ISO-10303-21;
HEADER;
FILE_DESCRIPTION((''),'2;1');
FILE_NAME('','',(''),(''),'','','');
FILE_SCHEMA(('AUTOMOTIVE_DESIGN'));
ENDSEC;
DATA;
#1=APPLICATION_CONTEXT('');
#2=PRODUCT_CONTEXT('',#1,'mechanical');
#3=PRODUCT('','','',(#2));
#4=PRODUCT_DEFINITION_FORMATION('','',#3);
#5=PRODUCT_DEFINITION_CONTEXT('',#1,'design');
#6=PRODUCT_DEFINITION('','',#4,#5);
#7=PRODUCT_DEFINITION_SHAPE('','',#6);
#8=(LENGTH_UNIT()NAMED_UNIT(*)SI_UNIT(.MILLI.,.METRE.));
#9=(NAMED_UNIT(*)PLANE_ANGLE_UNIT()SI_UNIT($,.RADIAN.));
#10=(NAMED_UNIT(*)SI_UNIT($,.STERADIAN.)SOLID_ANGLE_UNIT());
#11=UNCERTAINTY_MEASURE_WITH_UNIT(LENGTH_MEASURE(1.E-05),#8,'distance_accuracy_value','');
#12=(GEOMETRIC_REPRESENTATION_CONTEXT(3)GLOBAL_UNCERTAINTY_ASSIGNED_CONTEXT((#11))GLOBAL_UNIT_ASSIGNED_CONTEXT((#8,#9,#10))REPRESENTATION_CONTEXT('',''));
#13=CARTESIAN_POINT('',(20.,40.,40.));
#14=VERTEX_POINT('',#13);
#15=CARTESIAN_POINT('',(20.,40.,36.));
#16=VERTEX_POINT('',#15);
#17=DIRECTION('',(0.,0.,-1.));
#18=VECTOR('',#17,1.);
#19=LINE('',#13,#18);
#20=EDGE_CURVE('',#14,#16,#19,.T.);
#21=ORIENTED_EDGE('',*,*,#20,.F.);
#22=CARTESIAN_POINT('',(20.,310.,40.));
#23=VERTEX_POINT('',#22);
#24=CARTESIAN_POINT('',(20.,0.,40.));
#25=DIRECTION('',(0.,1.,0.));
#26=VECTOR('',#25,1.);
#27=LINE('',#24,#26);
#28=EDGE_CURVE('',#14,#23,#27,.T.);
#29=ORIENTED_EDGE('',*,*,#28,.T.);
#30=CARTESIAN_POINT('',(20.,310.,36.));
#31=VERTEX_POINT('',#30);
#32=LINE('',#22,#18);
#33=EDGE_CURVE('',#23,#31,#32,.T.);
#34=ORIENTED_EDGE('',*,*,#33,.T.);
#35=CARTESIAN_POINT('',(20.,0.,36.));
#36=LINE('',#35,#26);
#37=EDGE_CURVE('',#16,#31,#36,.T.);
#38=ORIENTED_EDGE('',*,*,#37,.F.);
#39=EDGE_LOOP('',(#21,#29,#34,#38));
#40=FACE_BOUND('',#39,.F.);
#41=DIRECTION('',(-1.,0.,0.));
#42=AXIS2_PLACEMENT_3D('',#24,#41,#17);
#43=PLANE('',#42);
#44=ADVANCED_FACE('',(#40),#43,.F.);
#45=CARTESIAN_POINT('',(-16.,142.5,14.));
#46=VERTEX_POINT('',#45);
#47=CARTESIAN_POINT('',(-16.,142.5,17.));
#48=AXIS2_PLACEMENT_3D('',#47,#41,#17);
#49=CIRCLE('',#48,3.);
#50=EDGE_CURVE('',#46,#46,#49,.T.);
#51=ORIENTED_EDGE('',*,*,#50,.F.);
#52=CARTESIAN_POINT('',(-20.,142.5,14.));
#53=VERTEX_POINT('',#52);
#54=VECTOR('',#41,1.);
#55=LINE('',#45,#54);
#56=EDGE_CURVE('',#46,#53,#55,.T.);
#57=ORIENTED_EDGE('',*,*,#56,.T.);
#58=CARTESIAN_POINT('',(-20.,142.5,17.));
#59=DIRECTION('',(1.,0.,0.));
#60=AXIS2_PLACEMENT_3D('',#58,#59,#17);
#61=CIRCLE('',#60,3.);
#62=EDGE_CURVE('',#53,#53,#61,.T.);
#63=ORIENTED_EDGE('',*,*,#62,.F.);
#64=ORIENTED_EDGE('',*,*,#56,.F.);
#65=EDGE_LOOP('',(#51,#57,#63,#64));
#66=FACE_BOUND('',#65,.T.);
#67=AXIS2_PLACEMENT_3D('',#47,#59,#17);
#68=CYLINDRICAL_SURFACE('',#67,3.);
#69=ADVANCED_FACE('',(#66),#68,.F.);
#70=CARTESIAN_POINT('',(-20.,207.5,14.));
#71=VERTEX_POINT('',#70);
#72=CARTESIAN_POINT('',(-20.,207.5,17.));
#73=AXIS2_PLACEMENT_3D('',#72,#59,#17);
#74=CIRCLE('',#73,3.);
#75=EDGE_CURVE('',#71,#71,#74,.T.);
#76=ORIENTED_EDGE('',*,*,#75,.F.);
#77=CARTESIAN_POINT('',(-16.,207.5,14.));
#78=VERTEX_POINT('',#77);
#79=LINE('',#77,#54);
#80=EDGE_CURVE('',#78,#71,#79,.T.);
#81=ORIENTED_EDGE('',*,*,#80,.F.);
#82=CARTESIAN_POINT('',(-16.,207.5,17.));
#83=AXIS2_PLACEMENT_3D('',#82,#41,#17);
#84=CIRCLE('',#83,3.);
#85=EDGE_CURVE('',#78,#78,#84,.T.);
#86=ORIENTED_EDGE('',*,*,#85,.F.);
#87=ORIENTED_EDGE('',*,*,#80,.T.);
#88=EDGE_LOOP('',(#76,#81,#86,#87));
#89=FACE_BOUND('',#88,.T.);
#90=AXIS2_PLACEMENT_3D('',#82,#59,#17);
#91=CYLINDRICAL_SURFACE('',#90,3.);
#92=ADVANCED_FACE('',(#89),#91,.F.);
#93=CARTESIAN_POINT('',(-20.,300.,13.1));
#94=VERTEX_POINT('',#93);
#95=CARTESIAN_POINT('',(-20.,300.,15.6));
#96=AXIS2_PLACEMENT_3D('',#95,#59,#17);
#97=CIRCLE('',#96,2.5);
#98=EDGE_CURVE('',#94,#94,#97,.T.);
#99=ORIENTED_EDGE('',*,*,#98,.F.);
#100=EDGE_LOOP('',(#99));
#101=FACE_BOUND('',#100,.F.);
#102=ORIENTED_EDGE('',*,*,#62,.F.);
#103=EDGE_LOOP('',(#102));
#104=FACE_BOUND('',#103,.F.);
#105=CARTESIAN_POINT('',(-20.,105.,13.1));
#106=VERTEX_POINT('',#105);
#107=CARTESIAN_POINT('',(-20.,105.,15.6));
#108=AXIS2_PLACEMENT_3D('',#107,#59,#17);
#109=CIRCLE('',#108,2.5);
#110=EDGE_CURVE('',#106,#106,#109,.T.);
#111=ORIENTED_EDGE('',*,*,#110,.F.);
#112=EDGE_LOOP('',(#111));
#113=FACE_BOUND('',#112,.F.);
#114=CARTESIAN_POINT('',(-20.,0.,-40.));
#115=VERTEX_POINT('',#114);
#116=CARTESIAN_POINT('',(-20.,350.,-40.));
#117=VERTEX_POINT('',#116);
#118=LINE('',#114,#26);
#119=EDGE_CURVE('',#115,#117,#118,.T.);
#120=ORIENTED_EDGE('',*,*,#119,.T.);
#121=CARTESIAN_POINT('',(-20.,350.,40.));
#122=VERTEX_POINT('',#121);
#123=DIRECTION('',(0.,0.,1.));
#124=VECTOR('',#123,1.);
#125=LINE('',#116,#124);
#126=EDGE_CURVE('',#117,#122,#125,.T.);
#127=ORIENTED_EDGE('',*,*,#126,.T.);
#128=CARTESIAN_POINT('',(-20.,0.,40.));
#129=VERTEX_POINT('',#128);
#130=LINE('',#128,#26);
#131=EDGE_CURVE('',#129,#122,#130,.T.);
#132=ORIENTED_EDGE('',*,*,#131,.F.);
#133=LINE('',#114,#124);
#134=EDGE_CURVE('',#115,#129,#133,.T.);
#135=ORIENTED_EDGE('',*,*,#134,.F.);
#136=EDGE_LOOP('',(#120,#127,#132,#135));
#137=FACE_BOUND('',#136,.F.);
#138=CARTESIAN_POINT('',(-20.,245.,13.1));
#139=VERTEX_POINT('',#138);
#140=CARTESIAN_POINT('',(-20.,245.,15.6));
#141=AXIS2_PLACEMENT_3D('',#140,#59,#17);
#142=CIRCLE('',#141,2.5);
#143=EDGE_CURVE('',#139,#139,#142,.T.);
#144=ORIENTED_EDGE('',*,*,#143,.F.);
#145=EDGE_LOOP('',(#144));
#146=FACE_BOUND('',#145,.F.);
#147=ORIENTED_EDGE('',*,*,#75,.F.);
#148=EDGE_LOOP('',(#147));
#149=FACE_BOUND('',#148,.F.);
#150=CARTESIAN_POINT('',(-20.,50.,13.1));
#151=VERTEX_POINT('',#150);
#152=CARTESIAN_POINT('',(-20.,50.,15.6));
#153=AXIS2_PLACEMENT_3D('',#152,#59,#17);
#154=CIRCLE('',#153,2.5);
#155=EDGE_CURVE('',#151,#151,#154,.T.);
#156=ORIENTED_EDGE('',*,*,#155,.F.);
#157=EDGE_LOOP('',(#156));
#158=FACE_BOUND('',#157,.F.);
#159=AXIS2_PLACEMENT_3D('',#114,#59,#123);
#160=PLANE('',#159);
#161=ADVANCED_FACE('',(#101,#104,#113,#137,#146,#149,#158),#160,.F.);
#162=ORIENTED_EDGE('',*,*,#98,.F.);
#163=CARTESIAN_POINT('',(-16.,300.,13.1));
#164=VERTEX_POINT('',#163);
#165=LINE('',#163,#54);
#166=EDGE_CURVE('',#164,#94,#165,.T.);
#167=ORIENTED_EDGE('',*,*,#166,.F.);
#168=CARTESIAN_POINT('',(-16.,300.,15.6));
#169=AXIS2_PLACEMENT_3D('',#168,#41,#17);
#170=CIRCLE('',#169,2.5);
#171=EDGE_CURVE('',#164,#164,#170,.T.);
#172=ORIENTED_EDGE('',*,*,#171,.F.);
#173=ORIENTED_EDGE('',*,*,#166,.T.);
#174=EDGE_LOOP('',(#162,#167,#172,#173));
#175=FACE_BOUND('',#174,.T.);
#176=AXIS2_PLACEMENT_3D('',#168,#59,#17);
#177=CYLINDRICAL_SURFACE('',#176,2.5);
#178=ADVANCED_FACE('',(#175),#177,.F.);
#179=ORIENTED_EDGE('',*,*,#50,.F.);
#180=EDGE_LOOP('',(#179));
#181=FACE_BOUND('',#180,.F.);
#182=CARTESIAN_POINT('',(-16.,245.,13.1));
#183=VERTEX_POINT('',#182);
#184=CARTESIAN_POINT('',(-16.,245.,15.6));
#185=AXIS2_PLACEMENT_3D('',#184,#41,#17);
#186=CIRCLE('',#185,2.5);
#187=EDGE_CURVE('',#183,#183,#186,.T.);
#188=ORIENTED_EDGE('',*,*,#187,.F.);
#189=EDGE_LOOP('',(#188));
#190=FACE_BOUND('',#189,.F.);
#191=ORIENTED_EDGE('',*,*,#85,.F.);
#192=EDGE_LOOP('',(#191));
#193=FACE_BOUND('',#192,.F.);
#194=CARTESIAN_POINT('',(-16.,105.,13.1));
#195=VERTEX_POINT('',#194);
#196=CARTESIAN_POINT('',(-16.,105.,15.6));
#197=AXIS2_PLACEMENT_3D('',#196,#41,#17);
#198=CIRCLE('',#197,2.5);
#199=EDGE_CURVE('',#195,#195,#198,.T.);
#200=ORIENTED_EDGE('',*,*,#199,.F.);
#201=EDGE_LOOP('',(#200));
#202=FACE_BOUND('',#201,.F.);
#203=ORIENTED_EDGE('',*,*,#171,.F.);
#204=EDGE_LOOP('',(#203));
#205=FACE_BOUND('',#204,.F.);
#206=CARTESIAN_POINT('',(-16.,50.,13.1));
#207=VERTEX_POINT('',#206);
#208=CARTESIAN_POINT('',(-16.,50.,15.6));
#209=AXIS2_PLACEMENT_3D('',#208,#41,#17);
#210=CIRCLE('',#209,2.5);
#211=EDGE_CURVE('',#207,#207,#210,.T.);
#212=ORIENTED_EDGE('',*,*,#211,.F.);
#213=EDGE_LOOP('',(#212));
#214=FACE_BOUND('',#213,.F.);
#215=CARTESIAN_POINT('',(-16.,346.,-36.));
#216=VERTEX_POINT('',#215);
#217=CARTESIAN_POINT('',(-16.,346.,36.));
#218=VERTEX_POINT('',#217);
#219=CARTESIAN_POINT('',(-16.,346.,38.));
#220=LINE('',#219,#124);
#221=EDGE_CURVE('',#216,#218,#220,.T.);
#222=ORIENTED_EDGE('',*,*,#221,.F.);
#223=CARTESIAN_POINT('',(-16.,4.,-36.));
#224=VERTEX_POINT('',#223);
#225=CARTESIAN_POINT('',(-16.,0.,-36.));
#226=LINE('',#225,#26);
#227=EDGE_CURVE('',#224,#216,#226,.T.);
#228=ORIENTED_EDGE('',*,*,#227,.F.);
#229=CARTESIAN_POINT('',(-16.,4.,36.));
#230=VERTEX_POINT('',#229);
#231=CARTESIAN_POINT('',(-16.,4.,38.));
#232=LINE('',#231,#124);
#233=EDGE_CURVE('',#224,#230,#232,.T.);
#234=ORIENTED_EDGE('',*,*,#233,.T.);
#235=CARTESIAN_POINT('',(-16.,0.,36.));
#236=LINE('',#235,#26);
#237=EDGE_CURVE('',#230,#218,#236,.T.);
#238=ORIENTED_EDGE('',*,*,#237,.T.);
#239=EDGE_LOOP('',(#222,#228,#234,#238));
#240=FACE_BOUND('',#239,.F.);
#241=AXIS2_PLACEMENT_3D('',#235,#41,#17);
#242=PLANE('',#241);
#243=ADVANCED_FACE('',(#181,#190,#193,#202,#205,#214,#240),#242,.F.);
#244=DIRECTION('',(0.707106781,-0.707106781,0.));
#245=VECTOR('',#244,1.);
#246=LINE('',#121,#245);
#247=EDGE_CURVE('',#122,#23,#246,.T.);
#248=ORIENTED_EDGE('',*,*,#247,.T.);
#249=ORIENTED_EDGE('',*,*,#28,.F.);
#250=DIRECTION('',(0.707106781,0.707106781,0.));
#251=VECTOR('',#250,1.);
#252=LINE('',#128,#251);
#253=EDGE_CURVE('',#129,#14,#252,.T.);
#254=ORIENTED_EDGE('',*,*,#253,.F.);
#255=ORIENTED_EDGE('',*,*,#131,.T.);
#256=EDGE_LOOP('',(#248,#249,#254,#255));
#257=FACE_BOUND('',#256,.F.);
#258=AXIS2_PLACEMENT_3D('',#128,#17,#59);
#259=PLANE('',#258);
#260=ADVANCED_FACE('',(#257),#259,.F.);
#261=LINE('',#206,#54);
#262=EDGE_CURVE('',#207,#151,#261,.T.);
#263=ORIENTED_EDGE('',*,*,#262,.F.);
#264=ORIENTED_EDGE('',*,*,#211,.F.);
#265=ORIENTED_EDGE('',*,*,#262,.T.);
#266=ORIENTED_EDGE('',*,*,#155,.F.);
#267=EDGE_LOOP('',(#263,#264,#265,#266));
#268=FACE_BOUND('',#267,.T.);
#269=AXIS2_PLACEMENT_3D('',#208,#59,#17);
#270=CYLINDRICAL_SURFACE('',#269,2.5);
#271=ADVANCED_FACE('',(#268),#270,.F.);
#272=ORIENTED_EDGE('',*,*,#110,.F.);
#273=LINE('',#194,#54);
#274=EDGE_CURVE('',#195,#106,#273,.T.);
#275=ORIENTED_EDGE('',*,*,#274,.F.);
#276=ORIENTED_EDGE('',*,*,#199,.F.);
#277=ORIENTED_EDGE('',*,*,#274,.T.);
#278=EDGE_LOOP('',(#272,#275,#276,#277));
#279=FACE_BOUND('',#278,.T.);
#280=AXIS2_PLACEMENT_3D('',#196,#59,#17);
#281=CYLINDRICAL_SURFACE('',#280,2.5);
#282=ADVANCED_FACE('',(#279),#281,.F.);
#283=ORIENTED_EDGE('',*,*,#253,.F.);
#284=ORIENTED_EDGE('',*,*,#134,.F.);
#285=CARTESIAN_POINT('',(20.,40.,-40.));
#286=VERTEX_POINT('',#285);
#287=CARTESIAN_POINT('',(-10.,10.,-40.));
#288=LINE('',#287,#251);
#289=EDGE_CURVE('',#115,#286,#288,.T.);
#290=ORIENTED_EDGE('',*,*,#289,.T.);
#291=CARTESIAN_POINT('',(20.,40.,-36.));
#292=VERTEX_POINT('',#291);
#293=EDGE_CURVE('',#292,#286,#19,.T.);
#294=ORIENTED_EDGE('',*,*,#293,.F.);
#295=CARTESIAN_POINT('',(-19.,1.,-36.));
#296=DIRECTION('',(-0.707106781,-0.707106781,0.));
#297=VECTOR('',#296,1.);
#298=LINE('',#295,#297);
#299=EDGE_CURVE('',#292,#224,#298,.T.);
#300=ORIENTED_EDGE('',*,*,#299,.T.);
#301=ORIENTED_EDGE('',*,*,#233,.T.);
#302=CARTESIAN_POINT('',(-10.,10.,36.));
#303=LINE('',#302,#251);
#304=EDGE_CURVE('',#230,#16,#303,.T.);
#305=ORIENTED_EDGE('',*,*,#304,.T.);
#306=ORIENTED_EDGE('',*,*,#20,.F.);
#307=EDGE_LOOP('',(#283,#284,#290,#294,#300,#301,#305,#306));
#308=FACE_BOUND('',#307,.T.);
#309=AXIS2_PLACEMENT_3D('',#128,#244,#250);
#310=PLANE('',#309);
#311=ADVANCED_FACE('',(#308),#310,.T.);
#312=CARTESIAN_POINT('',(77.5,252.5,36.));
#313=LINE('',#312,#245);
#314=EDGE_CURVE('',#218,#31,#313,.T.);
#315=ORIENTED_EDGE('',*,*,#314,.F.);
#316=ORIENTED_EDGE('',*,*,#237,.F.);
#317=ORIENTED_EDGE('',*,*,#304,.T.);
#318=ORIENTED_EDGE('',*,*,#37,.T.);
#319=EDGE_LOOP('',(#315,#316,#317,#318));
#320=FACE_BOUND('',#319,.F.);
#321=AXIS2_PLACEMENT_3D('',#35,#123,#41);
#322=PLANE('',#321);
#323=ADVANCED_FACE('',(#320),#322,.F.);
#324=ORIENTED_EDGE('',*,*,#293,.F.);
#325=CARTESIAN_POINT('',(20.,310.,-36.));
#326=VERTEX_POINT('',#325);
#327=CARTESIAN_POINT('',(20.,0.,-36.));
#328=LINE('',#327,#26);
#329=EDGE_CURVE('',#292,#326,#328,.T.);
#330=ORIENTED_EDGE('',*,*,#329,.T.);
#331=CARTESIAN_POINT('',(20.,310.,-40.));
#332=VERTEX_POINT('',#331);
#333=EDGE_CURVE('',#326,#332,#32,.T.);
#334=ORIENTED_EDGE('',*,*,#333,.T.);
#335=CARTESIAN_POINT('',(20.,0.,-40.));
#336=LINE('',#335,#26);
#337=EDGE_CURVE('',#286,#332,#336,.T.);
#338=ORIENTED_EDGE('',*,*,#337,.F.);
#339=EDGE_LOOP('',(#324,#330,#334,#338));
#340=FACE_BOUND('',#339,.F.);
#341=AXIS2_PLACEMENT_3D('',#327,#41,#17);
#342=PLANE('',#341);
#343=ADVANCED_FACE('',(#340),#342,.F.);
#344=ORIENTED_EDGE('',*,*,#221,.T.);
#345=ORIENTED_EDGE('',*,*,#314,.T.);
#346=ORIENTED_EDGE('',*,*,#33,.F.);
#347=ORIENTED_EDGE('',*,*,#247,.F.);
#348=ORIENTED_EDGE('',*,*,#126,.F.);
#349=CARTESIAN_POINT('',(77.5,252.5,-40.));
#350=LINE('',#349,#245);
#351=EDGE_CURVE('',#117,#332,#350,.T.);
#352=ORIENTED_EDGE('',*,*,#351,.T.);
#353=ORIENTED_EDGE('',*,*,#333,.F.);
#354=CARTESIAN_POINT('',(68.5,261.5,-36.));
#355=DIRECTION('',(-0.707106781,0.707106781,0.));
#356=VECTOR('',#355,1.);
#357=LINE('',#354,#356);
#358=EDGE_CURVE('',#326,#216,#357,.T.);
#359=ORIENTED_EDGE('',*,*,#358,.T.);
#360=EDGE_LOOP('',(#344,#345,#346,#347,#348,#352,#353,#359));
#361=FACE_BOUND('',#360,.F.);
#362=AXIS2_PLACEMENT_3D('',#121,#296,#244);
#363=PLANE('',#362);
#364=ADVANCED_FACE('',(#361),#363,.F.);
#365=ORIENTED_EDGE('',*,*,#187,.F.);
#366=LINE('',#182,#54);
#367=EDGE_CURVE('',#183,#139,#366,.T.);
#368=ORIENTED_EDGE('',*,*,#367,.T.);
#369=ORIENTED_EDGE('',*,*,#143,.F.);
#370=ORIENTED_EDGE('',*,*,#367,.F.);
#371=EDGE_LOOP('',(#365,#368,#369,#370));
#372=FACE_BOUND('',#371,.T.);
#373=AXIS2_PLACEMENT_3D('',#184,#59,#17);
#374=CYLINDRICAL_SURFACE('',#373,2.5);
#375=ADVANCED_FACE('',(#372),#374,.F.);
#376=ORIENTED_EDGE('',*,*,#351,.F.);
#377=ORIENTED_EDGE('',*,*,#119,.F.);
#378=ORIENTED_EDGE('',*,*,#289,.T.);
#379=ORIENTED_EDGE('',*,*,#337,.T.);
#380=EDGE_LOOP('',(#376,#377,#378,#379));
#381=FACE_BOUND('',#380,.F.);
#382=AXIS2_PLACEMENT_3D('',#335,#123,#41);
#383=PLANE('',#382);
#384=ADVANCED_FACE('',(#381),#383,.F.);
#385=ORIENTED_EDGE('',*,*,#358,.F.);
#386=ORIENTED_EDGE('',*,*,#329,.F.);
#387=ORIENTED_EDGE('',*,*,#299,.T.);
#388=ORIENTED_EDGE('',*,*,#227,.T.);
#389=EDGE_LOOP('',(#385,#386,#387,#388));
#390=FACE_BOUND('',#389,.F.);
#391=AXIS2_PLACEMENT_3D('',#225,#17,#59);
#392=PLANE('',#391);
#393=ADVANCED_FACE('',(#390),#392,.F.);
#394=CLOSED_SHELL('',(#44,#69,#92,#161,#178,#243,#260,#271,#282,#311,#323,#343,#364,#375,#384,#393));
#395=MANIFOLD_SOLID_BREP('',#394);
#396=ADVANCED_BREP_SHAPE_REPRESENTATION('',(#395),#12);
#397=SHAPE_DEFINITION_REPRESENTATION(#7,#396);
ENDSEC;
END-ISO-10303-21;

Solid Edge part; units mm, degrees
sketch "Sketch1" plane through (0, 0, 0) normal (0, -1, 0) x (1, 0, 0)
  line L0 (20, 36) -> (-16, 36)
  line L1 (-16, 36) -> (-16, -36)
  line L2 (-16, -36) -> (20, -36)
  line L3 (20, -36) -> (20, -40)
  line L4 (20, -40) -> (-20, -40)
  line L5 (-20, -40) -> (-20, 40)
  line L6 (-20, 40) -> (20, 40)
  line L7 (20, 40) -> (20, 36)
  dimension "D1" = 80
  dimension "D2" = 40
  dimension "D3" = 4
  dimension "D4" = 4
extrude "Protrusion1" add sketch "Sketch1" against normal blind 350
sketch "Sketch2" plane through (0, 175, 40) normal (0, 0, 1) x (0, 1, 0)
  line L0 (-175, 20) -> (-135, -20)
extrude "Cutout1" cut sketch "Sketch2" against normal through all material side at (0.0354, 19.9646, 40)
sketch "Sketch3" plane through (0, 175, 40) normal (0, 0, 1) x (0, 1, 0)
  line L0 (175, 20) -> (135, -20)
extrude "Cutout2" cut sketch "Sketch3" against normal through all material side at (0.0354, 330.0354, 40)
hole "Bohrung_1" at (-16, 142.5, 17) direction (-1, 0, 0) diameter 6 end up to next
hole "Hole1" at (-16, 207.5, 17) direction (-1, 0, 0) diameter 6 end up to next
hole "Bohrung_3" at (-16, 50, 15.6) direction (-1, 0, 0) diameter 5 end up to next
hole "Hole2" at (-16, 105, 15.6) direction (-1, 0, 0) diameter 5 end up to next
hole "Hole3" at (-16, 245, 15.6) direction (-1, 0, 0) diameter 5 end up to next
hole "Hole4" at (-16, 300, 15.6) direction (-1, 0, 0) diameter 5 end up to next
properties material "AlMgSi 0,5-1"
